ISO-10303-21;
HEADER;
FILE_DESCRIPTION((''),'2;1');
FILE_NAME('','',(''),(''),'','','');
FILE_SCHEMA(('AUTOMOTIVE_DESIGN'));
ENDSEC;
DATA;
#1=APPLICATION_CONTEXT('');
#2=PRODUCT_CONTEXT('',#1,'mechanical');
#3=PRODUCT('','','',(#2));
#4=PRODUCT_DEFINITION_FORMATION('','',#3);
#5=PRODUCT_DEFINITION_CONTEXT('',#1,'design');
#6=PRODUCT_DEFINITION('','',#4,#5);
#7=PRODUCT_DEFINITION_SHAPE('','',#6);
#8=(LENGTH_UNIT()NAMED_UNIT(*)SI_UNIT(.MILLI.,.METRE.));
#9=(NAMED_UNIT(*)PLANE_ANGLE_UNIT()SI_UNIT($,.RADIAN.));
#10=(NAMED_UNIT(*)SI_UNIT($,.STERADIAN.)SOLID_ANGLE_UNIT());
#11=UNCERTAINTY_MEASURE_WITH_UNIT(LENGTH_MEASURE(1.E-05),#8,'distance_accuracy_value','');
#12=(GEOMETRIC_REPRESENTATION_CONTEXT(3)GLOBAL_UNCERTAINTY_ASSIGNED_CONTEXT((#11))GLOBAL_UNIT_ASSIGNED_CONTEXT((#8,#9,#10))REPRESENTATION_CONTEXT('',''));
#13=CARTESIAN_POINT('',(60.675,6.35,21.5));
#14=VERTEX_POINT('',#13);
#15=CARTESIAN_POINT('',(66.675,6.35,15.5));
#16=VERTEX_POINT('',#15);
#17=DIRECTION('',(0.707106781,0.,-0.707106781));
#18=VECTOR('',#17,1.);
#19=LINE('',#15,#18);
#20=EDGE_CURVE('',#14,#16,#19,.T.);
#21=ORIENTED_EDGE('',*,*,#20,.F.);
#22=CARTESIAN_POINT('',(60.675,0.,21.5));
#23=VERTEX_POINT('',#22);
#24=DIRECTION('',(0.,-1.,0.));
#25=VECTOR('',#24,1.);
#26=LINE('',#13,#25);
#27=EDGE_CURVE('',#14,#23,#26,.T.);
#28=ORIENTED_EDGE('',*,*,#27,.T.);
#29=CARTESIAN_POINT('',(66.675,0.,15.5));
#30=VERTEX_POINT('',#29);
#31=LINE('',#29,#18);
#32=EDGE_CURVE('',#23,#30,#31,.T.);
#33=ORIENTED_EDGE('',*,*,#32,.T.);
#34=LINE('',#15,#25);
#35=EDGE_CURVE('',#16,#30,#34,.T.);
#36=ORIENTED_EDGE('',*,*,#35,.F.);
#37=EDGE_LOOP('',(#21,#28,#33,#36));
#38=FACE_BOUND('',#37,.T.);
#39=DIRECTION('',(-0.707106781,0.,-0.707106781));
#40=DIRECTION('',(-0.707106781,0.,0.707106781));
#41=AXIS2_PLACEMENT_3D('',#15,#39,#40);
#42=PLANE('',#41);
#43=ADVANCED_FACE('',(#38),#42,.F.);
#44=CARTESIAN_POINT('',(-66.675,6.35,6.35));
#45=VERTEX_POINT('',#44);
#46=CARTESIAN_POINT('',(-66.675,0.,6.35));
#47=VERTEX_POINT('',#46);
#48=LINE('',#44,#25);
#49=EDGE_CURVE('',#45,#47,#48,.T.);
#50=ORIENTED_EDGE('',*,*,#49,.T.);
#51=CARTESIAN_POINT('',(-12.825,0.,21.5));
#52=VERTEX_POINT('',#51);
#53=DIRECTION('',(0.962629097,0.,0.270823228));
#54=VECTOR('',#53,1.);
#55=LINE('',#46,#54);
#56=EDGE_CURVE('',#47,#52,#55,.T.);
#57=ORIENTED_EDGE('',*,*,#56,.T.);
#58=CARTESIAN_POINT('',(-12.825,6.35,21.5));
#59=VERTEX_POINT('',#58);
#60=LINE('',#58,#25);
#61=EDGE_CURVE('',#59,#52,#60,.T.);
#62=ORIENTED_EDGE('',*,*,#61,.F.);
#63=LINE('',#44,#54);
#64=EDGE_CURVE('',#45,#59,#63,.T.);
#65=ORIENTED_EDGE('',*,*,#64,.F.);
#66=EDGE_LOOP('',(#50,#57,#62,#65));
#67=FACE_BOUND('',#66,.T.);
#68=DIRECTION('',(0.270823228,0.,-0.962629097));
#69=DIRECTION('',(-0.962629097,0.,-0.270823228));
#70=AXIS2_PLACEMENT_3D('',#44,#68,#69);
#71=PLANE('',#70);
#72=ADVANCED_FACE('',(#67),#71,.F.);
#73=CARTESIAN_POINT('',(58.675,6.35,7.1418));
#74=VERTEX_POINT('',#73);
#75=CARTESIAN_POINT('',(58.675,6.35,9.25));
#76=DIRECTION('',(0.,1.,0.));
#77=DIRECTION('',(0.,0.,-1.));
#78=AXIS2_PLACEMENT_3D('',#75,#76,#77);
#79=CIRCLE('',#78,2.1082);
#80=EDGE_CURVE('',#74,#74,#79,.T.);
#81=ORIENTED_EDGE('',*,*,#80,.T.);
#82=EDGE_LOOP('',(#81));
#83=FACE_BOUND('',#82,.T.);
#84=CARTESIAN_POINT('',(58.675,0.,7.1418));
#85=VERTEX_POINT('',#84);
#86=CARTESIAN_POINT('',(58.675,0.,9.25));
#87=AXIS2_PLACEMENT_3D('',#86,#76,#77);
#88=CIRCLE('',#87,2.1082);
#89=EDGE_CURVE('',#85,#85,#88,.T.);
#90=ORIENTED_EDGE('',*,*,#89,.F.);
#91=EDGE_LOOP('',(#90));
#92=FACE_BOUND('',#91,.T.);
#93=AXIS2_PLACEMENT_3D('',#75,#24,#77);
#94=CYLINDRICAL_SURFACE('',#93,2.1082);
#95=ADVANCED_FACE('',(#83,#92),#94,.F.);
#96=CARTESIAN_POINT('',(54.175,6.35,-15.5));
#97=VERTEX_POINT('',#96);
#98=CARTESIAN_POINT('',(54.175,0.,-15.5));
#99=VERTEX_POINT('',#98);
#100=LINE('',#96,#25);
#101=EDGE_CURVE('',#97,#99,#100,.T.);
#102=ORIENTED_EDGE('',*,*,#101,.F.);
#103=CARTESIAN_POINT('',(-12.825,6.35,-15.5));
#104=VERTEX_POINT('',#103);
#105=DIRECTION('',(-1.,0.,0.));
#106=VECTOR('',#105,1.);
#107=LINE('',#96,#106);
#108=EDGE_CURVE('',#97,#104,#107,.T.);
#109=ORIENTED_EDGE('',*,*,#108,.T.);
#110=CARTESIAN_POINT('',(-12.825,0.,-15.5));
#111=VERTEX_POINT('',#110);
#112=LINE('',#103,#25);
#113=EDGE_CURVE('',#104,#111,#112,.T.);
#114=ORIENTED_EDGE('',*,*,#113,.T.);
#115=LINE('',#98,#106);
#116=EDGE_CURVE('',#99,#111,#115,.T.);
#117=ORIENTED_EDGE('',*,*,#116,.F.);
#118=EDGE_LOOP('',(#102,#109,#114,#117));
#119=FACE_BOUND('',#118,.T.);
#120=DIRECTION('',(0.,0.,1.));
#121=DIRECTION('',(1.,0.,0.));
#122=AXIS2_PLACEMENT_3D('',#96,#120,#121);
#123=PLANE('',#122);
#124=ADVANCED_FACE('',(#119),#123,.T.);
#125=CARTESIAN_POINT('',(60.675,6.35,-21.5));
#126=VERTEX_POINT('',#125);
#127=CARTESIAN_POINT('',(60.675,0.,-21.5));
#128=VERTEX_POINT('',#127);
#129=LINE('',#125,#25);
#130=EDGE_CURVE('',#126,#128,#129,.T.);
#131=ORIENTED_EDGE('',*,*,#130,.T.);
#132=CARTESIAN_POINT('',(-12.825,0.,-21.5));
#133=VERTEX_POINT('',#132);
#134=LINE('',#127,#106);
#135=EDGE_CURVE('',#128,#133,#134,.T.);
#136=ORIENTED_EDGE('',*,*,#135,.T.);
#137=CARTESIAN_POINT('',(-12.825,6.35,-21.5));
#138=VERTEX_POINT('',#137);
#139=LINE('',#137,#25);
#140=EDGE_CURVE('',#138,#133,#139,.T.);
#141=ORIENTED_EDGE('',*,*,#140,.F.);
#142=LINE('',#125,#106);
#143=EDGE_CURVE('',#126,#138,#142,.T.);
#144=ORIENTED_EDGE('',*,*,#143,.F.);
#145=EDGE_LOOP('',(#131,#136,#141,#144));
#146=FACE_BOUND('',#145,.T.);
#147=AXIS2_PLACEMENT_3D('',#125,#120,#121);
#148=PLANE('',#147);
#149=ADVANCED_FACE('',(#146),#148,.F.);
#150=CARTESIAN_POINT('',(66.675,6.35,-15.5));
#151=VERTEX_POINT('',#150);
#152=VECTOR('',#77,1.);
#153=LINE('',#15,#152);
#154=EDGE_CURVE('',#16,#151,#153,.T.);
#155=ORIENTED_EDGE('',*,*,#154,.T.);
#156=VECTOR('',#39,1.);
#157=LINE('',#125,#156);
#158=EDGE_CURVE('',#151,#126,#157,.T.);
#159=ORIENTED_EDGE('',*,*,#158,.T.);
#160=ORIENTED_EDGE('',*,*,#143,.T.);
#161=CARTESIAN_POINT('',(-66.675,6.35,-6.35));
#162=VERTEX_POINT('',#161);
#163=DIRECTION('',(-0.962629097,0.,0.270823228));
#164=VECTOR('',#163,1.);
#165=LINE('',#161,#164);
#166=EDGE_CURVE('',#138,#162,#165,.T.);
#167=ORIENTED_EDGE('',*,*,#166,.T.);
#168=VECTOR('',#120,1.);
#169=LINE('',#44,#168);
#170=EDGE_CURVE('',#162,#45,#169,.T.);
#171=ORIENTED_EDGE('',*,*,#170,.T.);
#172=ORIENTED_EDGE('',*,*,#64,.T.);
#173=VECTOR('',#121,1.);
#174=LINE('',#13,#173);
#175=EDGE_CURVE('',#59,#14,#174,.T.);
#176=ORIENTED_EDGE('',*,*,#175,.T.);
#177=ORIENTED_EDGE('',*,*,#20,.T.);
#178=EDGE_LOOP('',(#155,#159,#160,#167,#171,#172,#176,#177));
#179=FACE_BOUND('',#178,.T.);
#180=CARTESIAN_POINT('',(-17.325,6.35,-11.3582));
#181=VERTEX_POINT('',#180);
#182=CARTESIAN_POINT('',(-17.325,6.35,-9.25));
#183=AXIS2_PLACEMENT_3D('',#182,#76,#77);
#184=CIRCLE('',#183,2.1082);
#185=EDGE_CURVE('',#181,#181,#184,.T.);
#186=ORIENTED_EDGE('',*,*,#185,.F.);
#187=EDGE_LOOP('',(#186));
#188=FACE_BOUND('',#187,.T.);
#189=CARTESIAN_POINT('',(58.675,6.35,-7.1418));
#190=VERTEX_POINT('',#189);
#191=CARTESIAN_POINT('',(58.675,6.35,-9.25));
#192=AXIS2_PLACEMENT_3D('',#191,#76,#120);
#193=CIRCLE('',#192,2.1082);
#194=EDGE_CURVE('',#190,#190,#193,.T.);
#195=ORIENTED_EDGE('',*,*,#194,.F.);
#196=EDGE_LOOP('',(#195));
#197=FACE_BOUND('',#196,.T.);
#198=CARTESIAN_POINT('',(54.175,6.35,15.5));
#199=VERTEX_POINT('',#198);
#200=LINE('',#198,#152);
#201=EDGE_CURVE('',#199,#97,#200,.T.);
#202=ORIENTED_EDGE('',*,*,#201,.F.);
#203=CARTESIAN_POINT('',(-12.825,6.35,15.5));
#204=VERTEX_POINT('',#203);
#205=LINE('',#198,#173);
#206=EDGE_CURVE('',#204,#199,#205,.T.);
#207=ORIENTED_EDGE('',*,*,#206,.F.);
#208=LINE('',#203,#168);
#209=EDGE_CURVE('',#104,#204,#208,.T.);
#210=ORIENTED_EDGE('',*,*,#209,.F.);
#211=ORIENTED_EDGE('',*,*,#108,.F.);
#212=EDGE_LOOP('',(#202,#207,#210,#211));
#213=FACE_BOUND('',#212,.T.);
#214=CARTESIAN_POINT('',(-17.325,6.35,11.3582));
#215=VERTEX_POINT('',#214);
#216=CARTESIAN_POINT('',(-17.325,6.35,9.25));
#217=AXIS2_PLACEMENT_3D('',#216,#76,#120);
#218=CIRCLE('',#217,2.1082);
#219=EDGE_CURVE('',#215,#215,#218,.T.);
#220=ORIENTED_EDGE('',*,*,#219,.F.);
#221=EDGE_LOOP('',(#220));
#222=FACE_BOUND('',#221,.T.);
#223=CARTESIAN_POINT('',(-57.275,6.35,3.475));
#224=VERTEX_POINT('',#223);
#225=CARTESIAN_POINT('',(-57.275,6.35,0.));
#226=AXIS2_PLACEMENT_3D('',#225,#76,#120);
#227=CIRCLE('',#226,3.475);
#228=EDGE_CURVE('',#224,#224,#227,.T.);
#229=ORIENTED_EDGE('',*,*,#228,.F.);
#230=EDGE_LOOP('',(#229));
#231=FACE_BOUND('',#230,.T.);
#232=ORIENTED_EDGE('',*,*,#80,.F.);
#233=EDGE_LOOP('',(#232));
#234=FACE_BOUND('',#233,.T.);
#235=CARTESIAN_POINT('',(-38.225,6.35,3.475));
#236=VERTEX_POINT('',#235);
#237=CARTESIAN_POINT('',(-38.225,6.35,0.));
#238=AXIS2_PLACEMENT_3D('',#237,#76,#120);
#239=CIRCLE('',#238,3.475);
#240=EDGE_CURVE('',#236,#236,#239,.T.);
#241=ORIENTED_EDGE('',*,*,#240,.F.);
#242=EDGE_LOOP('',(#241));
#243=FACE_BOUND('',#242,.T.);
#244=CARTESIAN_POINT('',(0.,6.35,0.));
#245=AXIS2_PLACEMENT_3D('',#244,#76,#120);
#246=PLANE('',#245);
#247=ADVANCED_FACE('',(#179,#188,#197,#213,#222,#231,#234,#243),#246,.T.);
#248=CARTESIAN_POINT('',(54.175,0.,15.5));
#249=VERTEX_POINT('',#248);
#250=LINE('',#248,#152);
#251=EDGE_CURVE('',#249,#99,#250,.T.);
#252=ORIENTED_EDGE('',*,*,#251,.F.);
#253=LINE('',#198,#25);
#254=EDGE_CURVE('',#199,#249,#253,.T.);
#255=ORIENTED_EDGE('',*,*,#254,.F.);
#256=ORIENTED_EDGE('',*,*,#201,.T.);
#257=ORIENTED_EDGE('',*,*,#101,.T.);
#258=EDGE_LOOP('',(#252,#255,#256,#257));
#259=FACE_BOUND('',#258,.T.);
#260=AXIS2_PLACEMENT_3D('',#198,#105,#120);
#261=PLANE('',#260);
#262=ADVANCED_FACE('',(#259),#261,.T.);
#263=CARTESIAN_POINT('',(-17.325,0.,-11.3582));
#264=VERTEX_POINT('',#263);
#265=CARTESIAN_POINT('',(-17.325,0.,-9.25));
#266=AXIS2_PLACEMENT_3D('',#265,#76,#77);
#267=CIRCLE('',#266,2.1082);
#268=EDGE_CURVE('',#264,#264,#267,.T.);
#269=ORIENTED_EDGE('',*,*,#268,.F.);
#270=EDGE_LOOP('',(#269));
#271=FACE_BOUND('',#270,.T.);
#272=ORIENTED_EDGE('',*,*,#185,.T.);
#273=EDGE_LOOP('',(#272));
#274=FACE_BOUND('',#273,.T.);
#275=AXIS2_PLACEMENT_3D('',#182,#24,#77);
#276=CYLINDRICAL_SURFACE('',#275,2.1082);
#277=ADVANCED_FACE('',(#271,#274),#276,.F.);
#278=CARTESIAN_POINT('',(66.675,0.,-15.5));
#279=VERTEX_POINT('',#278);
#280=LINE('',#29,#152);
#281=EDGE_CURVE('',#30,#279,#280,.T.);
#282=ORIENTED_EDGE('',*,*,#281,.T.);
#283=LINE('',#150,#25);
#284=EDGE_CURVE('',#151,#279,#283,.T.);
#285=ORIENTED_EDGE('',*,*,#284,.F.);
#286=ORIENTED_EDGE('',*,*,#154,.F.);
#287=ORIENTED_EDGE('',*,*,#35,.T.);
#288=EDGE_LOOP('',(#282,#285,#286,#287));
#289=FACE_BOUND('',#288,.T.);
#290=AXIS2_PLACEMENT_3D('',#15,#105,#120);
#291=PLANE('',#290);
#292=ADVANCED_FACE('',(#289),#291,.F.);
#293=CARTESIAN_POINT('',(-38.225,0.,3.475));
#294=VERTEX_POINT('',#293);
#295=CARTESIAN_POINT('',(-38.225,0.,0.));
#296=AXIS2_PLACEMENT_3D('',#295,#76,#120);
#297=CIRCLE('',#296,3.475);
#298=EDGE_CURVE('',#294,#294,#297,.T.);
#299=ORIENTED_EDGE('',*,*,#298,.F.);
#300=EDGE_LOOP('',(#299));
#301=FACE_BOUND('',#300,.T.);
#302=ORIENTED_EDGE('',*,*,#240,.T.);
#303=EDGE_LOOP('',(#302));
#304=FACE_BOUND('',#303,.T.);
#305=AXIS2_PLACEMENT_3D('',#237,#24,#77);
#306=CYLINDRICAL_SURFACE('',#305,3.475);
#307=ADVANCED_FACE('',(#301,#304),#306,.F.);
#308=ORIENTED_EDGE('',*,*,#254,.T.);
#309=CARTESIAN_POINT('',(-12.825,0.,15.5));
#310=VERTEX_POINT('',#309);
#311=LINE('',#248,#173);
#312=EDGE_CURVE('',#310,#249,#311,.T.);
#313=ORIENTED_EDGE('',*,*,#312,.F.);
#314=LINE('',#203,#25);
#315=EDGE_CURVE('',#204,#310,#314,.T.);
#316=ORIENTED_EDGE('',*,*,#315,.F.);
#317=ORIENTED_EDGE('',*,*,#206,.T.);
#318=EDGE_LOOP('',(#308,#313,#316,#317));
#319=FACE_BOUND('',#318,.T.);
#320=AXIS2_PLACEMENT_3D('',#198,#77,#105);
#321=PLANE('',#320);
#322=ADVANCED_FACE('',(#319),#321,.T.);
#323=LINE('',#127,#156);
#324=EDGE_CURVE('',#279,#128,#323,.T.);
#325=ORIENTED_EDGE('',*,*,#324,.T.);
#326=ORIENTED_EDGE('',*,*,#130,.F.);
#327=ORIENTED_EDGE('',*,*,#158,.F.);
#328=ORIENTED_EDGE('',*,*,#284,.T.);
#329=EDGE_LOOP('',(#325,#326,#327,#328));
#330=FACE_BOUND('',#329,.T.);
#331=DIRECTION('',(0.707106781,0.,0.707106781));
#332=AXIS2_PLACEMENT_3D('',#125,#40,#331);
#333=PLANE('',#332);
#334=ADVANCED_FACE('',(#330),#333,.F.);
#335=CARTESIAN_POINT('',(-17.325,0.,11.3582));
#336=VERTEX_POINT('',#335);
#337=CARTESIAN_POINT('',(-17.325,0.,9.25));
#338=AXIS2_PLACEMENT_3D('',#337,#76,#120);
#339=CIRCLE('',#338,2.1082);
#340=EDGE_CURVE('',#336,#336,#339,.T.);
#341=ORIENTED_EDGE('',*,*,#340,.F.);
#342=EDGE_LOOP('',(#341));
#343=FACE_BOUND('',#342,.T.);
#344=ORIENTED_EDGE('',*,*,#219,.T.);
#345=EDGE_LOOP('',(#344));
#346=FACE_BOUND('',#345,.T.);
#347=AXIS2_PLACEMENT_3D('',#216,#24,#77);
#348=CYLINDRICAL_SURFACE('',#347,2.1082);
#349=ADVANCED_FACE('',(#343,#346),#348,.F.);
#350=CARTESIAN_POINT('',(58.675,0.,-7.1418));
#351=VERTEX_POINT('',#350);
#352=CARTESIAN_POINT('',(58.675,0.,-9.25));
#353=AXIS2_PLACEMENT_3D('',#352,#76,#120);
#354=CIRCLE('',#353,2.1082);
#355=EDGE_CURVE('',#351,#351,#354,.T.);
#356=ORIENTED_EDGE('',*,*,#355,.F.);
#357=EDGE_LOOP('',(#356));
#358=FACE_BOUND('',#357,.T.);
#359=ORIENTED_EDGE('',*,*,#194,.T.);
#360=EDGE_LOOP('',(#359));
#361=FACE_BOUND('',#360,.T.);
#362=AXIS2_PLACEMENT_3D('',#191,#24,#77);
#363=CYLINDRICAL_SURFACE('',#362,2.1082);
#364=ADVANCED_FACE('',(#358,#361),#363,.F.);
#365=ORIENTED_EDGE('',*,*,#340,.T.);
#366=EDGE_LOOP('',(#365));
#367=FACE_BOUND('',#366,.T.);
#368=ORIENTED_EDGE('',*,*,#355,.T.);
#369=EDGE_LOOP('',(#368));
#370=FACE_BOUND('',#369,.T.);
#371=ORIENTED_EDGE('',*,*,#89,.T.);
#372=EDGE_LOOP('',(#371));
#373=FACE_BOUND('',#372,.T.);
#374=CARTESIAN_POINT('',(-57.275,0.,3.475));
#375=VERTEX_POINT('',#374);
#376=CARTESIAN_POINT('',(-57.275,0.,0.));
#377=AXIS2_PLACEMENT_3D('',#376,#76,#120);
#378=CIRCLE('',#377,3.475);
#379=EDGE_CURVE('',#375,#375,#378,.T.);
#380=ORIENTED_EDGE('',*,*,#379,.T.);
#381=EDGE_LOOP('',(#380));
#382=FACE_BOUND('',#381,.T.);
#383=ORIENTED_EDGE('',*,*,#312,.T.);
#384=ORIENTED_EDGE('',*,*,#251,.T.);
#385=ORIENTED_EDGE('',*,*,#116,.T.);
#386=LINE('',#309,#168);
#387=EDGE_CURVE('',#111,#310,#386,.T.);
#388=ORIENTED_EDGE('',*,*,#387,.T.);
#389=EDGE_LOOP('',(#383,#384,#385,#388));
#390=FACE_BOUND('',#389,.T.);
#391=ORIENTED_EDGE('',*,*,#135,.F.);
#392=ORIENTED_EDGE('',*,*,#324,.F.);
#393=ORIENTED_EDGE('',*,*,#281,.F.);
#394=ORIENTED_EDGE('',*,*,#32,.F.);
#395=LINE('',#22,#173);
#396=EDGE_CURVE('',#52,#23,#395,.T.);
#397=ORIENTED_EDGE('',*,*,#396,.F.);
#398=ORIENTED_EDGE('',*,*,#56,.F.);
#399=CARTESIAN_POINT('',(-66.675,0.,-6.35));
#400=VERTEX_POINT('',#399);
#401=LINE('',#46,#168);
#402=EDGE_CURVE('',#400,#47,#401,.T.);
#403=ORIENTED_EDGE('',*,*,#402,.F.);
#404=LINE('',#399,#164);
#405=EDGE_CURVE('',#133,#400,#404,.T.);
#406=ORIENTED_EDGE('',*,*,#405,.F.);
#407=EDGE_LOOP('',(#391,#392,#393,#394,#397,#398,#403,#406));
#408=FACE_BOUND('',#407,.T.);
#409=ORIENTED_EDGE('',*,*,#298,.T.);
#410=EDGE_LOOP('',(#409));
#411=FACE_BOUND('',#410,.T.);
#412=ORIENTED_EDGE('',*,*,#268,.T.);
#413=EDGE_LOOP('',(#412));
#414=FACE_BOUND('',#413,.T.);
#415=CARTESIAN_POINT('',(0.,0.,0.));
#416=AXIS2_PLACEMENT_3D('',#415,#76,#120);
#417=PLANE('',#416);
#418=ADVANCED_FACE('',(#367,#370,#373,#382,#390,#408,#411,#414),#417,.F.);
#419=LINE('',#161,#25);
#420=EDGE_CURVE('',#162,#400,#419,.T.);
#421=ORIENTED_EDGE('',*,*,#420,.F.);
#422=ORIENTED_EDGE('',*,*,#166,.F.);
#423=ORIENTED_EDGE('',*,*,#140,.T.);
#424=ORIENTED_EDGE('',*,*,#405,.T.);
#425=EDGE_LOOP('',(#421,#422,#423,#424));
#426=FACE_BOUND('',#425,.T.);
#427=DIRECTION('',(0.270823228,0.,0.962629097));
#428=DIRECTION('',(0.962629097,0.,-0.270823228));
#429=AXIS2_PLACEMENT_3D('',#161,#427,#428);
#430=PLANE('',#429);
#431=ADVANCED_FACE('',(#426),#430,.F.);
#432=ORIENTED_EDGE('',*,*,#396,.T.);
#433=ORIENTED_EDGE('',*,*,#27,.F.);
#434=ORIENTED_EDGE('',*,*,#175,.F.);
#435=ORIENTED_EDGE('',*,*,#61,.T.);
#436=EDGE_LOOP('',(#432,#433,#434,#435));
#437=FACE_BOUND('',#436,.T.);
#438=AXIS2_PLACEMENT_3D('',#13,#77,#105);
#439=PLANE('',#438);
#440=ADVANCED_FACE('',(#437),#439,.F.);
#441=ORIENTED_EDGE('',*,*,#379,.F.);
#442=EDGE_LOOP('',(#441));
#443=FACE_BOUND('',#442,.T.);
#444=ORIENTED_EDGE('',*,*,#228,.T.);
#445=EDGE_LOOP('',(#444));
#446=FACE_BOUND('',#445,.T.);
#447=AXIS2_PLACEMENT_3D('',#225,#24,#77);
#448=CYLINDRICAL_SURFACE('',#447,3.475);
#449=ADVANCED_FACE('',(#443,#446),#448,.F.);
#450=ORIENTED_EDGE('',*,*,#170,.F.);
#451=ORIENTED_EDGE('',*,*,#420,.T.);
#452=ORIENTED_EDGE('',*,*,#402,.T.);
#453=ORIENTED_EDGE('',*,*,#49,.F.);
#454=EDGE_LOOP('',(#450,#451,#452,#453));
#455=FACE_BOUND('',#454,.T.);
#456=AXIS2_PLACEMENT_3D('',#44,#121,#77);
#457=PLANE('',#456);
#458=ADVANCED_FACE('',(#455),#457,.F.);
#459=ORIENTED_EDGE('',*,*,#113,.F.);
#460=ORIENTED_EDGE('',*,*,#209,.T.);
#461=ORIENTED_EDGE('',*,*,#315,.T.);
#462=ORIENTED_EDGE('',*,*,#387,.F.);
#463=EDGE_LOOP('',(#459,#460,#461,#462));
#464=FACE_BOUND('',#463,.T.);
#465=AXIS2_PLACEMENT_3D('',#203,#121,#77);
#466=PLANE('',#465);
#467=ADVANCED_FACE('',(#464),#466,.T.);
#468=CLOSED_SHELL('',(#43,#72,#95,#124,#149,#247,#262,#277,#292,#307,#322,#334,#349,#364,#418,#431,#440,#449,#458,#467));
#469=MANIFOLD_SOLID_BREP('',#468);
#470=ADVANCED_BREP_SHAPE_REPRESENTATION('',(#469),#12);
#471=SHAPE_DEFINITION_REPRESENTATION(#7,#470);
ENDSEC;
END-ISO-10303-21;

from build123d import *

# Parameters (mm, degrees)
SKETCH1_R           = 2.1082
SKETCH1_R_2         = 3.475
SKETCH1_W           = 67
SKETCH1_H           = 31
BOSS_EXTRUDE1_DEPTH = 6.35


with BuildPart() as part:
    # Sketch1 → Boss-Extrude1 (new body)
    with BuildSketch(Plane(origin=(0, 0, 0), x_dir=(1, 0, 0), z_dir=(0, 1, 0))):
        Polygon((60.675, -21.5), (-12.825, -21.5), (-66.675, -6.35), (-66.675, 6.35), (-12.825, 21.5), (60.675, 21.5), (66.675, 15.5), (66.675, -15.5), align=None)
        with Locations(Location((58.675, 9.25, 0), (0, 0, 270))):
            Circle(SKETCH1_R, mode=Mode.SUBTRACT)
        with Locations(Location((58.675, -9.25, 0), (0, 0, 90))):
            Circle(SKETCH1_R, mode=Mode.SUBTRACT)
        with Locations(Location((-17.325, -9.25, 0), (0, 0, 270))):
            Circle(SKETCH1_R, mode=Mode.SUBTRACT)
        with Locations(Location((-17.325, 9.25, 0), (0, 0, 90))):
            Circle(SKETCH1_R, mode=Mode.SUBTRACT)
        with Locations(Location((-57.275, 0, 0), (0, 0, 270))):
            Circle(SKETCH1_R_2, mode=Mode.SUBTRACT)
        with Locations(Location((-38.225, 0, 0), (0, 0, 270))):
            Circle(SKETCH1_R_2, mode=Mode.SUBTRACT)
        with Locations((20.675, 0)):
            Rectangle(SKETCH1_W, SKETCH1_H, mode=Mode.SUBTRACT)
    extrude(amount=BOSS_EXTRUDE1_DEPTH)


solid = part.part
